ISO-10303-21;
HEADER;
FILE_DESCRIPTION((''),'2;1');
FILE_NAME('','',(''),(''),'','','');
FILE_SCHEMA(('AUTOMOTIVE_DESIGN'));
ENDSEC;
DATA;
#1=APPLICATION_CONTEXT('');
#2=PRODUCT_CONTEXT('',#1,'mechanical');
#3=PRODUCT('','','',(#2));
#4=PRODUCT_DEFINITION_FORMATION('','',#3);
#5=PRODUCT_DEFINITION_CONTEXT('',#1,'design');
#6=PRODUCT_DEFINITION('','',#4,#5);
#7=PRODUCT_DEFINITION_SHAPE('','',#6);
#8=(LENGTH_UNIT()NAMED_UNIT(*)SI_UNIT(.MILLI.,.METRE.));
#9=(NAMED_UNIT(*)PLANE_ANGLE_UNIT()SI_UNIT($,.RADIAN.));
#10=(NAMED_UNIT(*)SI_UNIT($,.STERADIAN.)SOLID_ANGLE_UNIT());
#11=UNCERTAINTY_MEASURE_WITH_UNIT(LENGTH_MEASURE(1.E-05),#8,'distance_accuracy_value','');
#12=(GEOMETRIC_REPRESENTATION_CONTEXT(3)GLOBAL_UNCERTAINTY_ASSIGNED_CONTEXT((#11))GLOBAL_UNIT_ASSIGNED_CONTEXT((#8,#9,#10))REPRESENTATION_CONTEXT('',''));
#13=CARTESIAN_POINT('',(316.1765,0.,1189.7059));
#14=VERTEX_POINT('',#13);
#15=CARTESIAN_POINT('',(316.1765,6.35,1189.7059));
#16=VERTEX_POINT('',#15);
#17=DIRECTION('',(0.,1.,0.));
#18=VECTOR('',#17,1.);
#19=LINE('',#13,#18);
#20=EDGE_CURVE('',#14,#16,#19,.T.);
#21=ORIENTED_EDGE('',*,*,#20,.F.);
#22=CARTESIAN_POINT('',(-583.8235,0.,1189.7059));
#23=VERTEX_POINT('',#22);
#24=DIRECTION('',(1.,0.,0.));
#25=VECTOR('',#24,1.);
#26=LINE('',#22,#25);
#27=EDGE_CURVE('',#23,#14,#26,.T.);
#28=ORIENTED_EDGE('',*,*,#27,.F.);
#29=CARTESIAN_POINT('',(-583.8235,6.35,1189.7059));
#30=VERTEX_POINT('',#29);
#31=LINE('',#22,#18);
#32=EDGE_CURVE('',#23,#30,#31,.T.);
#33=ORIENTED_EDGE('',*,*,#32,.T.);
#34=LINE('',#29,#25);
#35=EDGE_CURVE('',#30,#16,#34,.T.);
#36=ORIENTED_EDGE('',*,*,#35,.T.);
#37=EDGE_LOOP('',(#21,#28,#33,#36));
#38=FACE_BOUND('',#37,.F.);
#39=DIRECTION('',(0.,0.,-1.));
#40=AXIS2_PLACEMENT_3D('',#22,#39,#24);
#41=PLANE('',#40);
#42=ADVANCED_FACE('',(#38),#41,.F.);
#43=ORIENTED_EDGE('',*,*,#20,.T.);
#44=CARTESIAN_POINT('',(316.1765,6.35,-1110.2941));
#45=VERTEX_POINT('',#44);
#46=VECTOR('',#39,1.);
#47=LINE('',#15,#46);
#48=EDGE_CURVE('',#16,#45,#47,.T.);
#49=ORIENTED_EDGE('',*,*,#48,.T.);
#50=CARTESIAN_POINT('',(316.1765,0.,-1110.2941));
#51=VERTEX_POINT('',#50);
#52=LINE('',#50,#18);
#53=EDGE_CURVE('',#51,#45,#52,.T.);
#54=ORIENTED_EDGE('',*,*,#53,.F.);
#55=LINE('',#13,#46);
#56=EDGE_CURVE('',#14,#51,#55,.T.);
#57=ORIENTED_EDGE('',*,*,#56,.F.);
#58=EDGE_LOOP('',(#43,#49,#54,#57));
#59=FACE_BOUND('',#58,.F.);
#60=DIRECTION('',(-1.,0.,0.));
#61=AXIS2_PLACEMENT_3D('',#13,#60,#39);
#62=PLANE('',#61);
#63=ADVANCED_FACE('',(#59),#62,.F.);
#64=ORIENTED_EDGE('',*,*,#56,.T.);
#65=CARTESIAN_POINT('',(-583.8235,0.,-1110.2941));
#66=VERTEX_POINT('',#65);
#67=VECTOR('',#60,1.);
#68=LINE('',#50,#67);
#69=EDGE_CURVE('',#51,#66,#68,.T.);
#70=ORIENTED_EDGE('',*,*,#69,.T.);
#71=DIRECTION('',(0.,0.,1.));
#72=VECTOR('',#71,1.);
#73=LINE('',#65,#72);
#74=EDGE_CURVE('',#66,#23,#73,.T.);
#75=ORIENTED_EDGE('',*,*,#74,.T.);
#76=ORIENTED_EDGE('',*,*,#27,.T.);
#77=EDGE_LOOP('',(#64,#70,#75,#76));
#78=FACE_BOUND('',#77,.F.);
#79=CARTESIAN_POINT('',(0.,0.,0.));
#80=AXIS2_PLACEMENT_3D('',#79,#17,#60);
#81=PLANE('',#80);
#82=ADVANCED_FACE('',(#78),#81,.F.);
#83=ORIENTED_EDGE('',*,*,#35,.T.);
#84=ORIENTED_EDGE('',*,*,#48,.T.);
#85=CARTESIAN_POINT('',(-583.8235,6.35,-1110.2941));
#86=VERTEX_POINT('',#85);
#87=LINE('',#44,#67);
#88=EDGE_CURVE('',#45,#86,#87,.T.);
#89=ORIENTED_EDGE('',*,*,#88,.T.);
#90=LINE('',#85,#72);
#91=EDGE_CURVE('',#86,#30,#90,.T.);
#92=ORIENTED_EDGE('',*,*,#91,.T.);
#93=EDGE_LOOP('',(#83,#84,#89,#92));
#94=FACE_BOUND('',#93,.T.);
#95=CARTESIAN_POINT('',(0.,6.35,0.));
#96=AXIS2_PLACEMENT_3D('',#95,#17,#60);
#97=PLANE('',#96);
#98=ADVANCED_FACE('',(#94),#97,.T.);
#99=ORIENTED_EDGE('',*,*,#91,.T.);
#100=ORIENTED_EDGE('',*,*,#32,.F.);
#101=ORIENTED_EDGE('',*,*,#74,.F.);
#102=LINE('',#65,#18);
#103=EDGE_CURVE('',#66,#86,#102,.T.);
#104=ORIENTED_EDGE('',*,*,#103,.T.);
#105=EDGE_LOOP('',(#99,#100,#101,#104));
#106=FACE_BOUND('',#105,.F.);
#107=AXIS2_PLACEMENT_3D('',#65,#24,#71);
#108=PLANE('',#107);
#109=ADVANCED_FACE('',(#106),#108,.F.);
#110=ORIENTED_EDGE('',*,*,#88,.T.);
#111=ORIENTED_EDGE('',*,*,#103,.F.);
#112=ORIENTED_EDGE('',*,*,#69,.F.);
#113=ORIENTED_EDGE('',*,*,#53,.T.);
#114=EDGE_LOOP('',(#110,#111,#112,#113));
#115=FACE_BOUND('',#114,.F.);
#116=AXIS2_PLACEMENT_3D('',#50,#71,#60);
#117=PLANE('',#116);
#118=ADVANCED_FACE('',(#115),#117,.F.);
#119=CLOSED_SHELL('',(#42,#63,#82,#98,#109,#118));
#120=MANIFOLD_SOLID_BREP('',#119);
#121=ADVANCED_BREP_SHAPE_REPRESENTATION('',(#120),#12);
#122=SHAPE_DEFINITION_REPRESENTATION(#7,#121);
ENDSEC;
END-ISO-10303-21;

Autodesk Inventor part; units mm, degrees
ref_plane "YZ Plane" through (0, 0, 0) normal (1, 0, 0) x (0, 1, 0)
ref_plane "XZ Plane" through (0, 0, 0) normal (0, 1, 0) x (-1, 0, 0)
ref_plane "XY Plane" through (0, 0, 0) normal (0, 0, 1) x (1, 0, 0)
sketch "Sketch1" plane through (0, 0, 0) normal (0, 1, 0) x (-1, 0, 0)
  line L0 (583.8235, 1189.7059) -> (-316.1765, 1189.7059)
  line L1 (-316.1765, 1189.7059) -> (-316.1765, -1110.2941)
  line L2 (-316.1765, -1110.2941) -> (583.8235, -1110.2941)
  line L3 (583.8235, -1110.2941) -> (583.8235, 1189.7059)
  point P0 (0, 0)
  dimension "d0" = 2300
  dimension "d1" = 900
extrude "Extrusion1" add sketch "Sketch1" along normal blind 6.35
sketch "Sketch2" plane through (0, 6.35, 0) normal (0, 1, 0) x (1, 0, 0)
  line L0 (316.1765, -1189.7059) -> (316.1765, 1110.2941) projected
  line L1 (316.1765, 1110.2941) -> (-583.8235, 1110.2941) projected
  line L2 (-583.8235, 1110.2941) -> (-583.8235, -1189.7059) projected
  line L3 (-583.8235, -1189.7059) -> (316.1765, -1189.7059) projected
  line L4 (-583.8235, 1110.2941) -> (-583.8235, -1189.7059) projected
  line L5 (-583.8235, -1189.7059) -> (91.1765, -1189.7059)
  line L6 (91.1765, -1189.7059) -> (91.1765, -1153.7059)
  line L7 (91.1765, -1153.7059) -> (-583.8235, -1153.7059)
  line L8 (-583.8235, -1153.7059) -> (-583.8235, -1189.7059)
  line L9 (91.1765, -1153.7059) -> (-583.8235, -1153.7059)
  line L10 (-583.8235, -1153.7059) -> (-583.8235, -623.7059)
  line L11 (-583.8235, -623.7059) -> (91.1765, -623.7059)
  line L12 (91.1765, -623.7059) -> (91.1765, -1153.7059)
  line L13 (-583.8235, -623.7059) -> (91.1765, -623.7059)
  line L14 (91.1765, -623.7059) -> (91.1765, -587.7059)
  line L15 (91.1765, -587.7059) -> (-583.8235, -587.7059)
  line L16 (-583.8235, -587.7059) -> (-583.8235, -623.7059)
  line L17 (-583.8235, -587.7059) -> (91.1765, -587.7059)
  line L18 (91.1765, -587.7059) -> (91.1765, -57.7059)
  line L19 (91.1765, -57.7059) -> (-583.8235, -57.7059)
  line L20 (-583.8235, -57.7059) -> (-583.8235, -587.7059)
  line L21 (-583.8235, -57.7059) -> (91.1765, -57.7059)
  line L22 (91.1765, -57.7059) -> (91.1765, -21.7059)
  line L23 (91.1765, -21.7059) -> (-583.8235, -21.7059)
  line L24 (-583.8235, -21.7059) -> (-583.8235, -57.7059)
  line L25 (-583.8235, 1110.2941) -> (91.1765, 1110.2941)
  line L26 (91.1765, 1110.2941) -> (91.1765, 1074.2941)
  line L27 (91.1765, 1074.2941) -> (-583.8235, 1074.2941)
  line L28 (-583.8235, 1074.2941) -> (-583.8235, 1110.2941)
  line L29 (-583.8235, 1074.2941) -> (91.1765, 1074.2941)
  line L30 (91.1765, 1074.2941) -> (91.1765, 544.2941)
  line L31 (91.1765, 544.2941) -> (-583.8235, 544.2941)
  line L32 (-583.8235, 544.2941) -> (-583.8235, 1074.2941)
  line L33 (-583.8235, 544.2941) -> (91.1765, 544.2941)
  line L34 (91.1765, 544.2941) -> (91.1765, 508.2941)
  line L35 (91.1765, 508.2941) -> (-583.8235, 508.2941)
  line L36 (-583.8235, 508.2941) -> (-583.8235, 544.2941)
  line L37 (-583.8235, 508.2941) -> (91.1765, 508.2941)
  line L38 (91.1765, 508.2941) -> (91.1765, -21.7059)
  line L39 (91.1765, -21.7059) -> (-583.8235, -21.7059)
  line L40 (-583.8235, -21.7059) -> (-583.8235, 508.2941)
  point P0 (0, 0)
  dimension "d4" = 900
  dimension "d5" = 675
  dimension "d6" = 36
  dimension "d7" = 36
  dimension "d8" = 530
  dimension "d9" = 36
  dimension "d10" = 530
  dimension "d11" = 36
  dimension "d12" = 530
  dimension "d13" = 36
  dimension "d14" = 2300
equation "\"d0\" = L"
equation "\"d5\" = 0.75 * d4"
equation "\"d6\" = d9"
equation "\"d7\" = d6"
equation "\"d8\" = -1.25 * d9 + 0.25 * d14"
equation "\"d10\" = d8"
equation "\"d11\" = d9"
equation "\"d12\" = d8"
equation "\"d13\" = d9"
equation "\"L\" = 2300"
properties part number "placa inferior" material "Steel"
